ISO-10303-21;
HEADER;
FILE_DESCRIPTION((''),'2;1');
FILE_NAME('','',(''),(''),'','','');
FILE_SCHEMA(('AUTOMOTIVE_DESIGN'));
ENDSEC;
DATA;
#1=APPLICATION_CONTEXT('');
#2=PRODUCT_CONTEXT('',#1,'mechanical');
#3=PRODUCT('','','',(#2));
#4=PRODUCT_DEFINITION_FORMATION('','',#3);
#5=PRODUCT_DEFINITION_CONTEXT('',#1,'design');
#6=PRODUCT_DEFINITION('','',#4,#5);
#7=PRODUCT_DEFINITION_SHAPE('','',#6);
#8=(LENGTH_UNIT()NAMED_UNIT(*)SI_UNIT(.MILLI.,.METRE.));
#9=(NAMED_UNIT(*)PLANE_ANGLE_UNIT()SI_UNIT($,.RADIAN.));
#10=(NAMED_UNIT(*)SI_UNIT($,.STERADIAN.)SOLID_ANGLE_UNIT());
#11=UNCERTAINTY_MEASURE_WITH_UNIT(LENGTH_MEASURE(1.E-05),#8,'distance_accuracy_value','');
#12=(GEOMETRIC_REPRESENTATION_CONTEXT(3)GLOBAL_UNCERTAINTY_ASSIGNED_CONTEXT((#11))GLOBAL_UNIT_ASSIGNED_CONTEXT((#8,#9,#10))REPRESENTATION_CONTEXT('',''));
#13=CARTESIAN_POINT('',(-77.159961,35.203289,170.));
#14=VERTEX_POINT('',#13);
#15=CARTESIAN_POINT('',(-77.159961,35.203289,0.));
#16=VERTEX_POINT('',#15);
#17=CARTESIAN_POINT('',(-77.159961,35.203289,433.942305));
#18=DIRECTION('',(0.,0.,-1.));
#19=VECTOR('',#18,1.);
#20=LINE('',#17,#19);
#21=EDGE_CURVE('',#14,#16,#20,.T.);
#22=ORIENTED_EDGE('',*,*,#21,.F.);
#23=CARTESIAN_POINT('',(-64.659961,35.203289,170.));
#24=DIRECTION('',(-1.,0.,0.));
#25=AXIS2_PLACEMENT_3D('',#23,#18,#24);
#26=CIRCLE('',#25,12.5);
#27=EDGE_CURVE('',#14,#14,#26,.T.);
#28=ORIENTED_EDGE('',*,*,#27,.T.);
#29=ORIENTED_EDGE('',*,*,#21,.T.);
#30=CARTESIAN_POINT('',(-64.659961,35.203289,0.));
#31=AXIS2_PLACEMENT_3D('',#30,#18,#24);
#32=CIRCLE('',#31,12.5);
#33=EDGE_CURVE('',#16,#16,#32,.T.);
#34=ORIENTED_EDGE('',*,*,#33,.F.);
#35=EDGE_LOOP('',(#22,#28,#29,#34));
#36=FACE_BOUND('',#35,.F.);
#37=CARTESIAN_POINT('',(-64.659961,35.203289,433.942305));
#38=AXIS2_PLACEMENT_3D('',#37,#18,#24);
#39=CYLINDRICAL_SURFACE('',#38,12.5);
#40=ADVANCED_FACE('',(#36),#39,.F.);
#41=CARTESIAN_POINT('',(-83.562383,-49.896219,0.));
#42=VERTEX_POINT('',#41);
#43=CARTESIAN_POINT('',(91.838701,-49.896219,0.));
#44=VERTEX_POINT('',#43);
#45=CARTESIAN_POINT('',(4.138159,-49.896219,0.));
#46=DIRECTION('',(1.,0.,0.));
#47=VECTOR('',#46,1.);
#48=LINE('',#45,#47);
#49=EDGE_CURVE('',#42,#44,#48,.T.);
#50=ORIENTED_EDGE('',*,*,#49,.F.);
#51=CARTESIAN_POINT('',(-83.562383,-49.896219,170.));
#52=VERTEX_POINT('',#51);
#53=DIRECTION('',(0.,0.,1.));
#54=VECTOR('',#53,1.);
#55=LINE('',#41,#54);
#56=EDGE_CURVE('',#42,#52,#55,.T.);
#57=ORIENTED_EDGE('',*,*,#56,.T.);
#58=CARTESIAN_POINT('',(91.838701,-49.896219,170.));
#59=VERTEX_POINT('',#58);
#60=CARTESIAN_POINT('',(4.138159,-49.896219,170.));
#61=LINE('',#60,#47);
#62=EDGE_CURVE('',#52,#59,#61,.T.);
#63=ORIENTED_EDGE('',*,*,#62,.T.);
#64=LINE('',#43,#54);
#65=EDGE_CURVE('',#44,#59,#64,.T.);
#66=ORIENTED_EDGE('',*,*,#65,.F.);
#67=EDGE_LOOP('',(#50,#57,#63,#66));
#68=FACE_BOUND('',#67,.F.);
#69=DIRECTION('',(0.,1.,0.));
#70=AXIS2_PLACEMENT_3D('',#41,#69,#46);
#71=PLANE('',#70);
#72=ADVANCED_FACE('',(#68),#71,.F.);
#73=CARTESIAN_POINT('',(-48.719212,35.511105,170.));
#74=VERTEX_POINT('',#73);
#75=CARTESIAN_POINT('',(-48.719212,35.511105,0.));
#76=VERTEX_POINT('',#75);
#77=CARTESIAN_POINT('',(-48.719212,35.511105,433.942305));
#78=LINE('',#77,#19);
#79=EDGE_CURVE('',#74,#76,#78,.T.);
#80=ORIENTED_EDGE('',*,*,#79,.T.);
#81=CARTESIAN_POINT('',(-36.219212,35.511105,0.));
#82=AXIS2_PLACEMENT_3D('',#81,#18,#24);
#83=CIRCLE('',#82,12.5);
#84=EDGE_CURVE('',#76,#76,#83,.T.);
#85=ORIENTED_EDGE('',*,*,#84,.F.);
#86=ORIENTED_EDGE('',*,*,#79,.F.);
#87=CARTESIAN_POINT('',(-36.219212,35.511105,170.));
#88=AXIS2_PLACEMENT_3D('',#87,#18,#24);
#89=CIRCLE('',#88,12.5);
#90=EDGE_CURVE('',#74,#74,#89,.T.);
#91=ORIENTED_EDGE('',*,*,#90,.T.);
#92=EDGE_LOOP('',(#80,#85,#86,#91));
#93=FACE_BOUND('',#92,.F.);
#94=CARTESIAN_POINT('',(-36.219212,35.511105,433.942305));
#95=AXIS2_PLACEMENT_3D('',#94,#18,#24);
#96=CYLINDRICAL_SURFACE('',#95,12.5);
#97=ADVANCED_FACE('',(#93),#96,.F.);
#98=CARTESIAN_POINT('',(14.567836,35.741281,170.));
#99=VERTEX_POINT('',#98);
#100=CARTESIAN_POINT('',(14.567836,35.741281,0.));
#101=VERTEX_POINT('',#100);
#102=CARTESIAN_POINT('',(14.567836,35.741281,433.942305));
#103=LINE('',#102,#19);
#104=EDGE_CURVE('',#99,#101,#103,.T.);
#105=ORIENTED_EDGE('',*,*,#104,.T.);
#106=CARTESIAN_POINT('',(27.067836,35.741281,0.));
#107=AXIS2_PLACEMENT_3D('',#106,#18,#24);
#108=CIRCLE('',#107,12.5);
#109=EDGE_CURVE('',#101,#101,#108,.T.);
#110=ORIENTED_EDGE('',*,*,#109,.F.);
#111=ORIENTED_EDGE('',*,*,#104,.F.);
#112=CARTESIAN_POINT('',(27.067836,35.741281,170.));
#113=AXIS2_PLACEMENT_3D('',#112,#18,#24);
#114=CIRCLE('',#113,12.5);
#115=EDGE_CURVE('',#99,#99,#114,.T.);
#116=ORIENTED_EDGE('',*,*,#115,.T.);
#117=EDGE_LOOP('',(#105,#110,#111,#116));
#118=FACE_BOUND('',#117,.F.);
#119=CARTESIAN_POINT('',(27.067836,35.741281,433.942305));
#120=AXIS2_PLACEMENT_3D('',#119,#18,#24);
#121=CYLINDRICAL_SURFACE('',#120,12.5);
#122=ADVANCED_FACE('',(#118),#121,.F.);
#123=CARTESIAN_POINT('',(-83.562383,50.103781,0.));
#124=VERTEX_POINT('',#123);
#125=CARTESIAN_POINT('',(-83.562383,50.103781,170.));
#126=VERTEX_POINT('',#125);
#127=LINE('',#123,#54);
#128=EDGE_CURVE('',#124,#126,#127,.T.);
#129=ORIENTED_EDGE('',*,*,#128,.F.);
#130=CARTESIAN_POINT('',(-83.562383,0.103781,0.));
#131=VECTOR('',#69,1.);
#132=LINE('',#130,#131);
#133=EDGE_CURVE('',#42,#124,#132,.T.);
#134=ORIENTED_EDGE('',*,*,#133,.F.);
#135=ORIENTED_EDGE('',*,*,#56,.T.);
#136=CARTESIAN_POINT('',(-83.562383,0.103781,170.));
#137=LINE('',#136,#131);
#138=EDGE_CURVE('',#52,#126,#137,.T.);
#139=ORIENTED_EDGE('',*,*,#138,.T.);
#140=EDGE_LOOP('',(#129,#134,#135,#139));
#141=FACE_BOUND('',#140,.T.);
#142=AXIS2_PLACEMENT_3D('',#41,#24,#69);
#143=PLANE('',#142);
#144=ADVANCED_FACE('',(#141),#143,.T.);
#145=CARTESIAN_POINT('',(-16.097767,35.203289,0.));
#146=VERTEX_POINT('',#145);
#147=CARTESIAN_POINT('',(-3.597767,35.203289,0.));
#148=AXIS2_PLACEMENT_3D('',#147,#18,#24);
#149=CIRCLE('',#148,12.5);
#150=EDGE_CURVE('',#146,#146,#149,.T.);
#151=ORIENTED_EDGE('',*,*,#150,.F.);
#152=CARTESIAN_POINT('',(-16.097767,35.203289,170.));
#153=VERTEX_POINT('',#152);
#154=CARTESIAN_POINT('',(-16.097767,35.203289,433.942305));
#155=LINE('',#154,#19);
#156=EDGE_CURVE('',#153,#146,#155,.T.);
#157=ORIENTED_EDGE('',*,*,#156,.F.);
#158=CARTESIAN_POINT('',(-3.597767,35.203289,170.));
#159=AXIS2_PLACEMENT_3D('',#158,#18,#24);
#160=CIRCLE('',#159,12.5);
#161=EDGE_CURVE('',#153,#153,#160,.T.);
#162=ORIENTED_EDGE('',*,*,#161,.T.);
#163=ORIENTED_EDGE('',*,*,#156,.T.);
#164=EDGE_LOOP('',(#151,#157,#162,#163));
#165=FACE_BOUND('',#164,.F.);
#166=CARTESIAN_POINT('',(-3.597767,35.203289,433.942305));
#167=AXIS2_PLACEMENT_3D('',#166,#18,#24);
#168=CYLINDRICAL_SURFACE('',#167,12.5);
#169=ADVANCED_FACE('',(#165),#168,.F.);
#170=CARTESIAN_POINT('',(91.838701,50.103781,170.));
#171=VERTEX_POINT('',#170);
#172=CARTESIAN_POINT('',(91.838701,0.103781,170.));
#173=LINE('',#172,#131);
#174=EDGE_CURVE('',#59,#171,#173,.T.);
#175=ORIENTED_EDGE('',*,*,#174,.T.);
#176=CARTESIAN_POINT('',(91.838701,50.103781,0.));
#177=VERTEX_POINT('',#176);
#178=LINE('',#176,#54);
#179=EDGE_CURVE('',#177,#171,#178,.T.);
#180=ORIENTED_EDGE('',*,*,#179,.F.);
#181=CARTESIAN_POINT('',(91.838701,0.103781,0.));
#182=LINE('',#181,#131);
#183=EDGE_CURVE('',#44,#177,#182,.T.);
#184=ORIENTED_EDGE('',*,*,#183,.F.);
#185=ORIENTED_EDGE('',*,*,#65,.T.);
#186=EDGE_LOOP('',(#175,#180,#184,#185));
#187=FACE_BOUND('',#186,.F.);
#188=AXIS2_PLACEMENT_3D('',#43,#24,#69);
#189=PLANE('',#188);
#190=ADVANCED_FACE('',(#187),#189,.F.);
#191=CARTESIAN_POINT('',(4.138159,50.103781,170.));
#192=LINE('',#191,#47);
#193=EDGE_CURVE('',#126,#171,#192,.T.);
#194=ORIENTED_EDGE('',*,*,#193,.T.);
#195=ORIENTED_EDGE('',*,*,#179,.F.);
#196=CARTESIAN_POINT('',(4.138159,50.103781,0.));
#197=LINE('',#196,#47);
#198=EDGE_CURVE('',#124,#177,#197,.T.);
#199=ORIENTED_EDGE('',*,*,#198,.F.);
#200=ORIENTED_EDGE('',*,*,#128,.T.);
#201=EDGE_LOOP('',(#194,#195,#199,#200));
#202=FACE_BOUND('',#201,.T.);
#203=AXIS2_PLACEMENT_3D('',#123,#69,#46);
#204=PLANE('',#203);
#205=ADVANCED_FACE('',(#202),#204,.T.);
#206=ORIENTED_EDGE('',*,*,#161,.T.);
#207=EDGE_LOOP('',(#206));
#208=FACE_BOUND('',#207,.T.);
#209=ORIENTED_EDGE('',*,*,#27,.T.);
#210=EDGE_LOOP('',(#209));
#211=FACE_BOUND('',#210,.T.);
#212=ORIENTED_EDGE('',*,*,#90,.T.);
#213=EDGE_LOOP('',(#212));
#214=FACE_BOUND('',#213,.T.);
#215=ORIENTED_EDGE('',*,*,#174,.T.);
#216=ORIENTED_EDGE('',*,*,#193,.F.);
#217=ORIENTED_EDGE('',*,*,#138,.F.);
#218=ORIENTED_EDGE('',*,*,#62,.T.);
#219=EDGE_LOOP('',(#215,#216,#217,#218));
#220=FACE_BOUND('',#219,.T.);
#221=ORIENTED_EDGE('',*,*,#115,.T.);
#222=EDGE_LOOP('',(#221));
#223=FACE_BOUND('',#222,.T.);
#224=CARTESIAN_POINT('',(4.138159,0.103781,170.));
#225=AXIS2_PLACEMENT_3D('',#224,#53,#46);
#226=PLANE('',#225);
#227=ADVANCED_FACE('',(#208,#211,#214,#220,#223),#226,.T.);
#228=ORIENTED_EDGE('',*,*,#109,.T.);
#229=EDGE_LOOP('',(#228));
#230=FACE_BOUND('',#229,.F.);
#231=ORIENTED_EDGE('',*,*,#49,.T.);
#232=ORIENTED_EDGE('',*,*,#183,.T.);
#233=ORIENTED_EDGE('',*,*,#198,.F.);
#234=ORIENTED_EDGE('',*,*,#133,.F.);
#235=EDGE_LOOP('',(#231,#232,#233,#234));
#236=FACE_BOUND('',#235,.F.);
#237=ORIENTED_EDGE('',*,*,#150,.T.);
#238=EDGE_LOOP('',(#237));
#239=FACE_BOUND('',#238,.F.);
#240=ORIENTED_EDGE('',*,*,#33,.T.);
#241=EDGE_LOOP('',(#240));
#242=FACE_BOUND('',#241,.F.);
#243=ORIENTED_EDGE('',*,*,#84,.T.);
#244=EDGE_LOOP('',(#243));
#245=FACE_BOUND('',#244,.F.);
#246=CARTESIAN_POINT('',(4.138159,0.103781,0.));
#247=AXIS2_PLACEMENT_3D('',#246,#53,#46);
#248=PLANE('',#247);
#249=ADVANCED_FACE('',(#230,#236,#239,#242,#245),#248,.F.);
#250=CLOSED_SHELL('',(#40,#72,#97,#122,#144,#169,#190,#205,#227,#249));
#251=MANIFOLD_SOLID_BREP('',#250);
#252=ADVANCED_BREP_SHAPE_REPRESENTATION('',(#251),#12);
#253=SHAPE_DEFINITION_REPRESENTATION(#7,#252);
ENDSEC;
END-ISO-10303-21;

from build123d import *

# Parameters (mm, degrees)
F0_W     = 175.401085
F0_H     = 100
F1_DEPTH = 170
F3_D     = 25


with BuildPart() as f1:
    # F0 (on Top) → F1 (new body)
    with BuildSketch(Plane.XY):
        with Locations((4.138159, 0.103781)):
            Rectangle(F0_W, F0_H)
    extrude(amount=F1_DEPTH)

    # F3 (through all)
    with Locations(Plane.XY.offset(170)):
        with Locations((27.067836, 35.741281), (-3.597767, 35.203289), (-36.219212, 35.511105), (-64.659961, 35.203289)):
            Hole(F3_D / 2)


solid = f1.part
